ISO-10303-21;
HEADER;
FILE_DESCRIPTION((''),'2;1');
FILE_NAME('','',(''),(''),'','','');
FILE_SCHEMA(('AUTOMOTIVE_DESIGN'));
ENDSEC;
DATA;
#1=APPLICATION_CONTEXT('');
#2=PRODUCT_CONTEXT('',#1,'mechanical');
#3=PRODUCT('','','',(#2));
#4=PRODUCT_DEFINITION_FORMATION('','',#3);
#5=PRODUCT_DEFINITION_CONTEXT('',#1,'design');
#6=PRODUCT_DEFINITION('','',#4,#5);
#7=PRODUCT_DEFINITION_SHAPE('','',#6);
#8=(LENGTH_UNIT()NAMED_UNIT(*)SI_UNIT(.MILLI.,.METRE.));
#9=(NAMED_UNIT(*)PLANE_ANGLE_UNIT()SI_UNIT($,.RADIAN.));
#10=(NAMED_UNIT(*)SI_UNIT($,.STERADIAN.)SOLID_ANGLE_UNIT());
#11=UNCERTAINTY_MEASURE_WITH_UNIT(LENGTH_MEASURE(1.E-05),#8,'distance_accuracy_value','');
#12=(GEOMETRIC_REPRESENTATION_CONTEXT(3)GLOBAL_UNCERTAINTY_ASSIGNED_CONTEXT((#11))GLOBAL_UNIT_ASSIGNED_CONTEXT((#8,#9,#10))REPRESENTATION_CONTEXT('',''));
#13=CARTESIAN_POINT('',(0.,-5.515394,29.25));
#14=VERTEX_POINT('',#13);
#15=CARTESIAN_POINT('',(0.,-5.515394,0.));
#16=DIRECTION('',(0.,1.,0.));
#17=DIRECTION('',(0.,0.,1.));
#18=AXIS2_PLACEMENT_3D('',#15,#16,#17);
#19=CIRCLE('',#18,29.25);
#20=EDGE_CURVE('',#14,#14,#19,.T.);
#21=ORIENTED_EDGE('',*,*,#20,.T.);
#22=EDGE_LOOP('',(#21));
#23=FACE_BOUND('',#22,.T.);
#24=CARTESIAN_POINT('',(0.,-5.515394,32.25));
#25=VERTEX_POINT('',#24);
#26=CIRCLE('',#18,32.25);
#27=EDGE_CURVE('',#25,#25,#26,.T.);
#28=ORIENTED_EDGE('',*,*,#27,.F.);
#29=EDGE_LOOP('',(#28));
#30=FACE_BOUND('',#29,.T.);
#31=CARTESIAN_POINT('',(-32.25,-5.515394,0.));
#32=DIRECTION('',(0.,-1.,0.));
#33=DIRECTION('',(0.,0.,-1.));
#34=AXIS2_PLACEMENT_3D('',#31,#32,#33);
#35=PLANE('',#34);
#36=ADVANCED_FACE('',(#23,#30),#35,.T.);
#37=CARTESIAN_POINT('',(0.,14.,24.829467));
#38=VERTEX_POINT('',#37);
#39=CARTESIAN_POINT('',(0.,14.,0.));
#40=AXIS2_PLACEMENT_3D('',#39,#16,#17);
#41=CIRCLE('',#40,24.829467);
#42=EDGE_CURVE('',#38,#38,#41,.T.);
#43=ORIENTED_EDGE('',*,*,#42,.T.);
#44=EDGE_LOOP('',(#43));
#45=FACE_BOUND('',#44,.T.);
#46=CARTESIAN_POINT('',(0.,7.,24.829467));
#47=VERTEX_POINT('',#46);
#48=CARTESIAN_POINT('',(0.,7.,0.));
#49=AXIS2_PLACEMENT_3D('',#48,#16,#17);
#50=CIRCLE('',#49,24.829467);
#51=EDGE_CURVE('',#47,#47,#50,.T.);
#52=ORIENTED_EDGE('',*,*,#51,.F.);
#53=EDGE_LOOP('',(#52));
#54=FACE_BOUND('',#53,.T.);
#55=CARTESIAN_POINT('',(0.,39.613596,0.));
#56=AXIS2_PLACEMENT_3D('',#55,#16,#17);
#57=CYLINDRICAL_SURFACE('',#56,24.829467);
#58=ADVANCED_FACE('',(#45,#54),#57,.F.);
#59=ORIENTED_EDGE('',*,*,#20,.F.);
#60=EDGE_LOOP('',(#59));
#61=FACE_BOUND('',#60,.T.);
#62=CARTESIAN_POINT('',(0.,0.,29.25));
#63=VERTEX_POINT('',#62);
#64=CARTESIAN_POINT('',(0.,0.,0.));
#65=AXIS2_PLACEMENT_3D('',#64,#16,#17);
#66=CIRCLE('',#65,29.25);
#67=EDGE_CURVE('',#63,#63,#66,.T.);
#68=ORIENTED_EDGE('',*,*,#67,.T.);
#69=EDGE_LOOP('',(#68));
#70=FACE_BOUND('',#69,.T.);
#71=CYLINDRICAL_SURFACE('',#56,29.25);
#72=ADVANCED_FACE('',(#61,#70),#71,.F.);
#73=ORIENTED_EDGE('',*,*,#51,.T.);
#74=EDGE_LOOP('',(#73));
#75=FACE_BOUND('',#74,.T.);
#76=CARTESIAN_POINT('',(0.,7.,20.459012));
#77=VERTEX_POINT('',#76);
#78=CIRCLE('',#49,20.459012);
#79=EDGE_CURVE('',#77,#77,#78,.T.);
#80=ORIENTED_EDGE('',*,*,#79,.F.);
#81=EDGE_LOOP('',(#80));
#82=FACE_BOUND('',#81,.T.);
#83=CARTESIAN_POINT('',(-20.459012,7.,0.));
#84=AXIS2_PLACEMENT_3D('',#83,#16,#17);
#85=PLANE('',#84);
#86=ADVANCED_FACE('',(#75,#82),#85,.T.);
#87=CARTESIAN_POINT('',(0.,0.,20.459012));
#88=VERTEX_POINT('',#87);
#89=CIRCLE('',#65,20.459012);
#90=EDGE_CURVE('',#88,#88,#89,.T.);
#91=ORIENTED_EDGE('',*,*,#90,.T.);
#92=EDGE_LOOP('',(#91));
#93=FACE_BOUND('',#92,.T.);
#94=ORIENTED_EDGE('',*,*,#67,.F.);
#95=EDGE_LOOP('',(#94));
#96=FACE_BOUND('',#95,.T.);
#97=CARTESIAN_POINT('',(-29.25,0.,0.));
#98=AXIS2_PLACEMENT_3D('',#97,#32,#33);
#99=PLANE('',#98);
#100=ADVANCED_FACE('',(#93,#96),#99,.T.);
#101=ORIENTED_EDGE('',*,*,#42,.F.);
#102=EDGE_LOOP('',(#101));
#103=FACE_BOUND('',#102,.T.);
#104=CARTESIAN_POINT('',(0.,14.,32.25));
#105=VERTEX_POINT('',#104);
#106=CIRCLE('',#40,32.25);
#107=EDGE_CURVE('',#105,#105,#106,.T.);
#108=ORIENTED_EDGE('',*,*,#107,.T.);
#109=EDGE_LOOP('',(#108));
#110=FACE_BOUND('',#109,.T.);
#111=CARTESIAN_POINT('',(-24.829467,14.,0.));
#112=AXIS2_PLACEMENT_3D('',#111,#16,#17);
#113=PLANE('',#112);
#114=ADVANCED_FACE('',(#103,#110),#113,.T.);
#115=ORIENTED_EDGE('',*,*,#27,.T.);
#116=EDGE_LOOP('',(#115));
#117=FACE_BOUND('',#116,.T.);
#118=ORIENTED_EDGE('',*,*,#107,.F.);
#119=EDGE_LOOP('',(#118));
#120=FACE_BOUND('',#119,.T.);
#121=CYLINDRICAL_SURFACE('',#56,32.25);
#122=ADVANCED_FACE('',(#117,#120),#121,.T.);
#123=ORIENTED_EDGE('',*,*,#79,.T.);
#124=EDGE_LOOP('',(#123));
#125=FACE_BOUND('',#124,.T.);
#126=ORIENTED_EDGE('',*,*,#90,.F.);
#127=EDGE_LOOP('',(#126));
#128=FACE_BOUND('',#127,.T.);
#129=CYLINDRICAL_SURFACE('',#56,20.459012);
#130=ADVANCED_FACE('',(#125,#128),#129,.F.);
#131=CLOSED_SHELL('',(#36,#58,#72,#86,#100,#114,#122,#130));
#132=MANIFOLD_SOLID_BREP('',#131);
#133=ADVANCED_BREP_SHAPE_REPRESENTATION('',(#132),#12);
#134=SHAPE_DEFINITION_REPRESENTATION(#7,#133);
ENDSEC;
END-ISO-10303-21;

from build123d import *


with BuildPart() as part:
    # Esquisse1 → Révolution1 (revolve)
    with BuildSketch(Plane.XY, mode=Mode.PRIVATE) as r_volution1_sk:
        Polygon((-20.459011997, 0), (-20.459011997, 7), (-24.829467191, 7), (-24.829467191, 14), (-32.25, 14), (-32.25, -5.515393911), (-29.25, -5.515393911), (-29.25, 0), align=None)
    revolve(r_volution1_sk.sketch.rotate(Axis((0, 39.613595536, 0), (0, -1, 0)), 270), axis=Axis((0, 39.613595536, 0), (0, -1, 0)))


solid = part.part
